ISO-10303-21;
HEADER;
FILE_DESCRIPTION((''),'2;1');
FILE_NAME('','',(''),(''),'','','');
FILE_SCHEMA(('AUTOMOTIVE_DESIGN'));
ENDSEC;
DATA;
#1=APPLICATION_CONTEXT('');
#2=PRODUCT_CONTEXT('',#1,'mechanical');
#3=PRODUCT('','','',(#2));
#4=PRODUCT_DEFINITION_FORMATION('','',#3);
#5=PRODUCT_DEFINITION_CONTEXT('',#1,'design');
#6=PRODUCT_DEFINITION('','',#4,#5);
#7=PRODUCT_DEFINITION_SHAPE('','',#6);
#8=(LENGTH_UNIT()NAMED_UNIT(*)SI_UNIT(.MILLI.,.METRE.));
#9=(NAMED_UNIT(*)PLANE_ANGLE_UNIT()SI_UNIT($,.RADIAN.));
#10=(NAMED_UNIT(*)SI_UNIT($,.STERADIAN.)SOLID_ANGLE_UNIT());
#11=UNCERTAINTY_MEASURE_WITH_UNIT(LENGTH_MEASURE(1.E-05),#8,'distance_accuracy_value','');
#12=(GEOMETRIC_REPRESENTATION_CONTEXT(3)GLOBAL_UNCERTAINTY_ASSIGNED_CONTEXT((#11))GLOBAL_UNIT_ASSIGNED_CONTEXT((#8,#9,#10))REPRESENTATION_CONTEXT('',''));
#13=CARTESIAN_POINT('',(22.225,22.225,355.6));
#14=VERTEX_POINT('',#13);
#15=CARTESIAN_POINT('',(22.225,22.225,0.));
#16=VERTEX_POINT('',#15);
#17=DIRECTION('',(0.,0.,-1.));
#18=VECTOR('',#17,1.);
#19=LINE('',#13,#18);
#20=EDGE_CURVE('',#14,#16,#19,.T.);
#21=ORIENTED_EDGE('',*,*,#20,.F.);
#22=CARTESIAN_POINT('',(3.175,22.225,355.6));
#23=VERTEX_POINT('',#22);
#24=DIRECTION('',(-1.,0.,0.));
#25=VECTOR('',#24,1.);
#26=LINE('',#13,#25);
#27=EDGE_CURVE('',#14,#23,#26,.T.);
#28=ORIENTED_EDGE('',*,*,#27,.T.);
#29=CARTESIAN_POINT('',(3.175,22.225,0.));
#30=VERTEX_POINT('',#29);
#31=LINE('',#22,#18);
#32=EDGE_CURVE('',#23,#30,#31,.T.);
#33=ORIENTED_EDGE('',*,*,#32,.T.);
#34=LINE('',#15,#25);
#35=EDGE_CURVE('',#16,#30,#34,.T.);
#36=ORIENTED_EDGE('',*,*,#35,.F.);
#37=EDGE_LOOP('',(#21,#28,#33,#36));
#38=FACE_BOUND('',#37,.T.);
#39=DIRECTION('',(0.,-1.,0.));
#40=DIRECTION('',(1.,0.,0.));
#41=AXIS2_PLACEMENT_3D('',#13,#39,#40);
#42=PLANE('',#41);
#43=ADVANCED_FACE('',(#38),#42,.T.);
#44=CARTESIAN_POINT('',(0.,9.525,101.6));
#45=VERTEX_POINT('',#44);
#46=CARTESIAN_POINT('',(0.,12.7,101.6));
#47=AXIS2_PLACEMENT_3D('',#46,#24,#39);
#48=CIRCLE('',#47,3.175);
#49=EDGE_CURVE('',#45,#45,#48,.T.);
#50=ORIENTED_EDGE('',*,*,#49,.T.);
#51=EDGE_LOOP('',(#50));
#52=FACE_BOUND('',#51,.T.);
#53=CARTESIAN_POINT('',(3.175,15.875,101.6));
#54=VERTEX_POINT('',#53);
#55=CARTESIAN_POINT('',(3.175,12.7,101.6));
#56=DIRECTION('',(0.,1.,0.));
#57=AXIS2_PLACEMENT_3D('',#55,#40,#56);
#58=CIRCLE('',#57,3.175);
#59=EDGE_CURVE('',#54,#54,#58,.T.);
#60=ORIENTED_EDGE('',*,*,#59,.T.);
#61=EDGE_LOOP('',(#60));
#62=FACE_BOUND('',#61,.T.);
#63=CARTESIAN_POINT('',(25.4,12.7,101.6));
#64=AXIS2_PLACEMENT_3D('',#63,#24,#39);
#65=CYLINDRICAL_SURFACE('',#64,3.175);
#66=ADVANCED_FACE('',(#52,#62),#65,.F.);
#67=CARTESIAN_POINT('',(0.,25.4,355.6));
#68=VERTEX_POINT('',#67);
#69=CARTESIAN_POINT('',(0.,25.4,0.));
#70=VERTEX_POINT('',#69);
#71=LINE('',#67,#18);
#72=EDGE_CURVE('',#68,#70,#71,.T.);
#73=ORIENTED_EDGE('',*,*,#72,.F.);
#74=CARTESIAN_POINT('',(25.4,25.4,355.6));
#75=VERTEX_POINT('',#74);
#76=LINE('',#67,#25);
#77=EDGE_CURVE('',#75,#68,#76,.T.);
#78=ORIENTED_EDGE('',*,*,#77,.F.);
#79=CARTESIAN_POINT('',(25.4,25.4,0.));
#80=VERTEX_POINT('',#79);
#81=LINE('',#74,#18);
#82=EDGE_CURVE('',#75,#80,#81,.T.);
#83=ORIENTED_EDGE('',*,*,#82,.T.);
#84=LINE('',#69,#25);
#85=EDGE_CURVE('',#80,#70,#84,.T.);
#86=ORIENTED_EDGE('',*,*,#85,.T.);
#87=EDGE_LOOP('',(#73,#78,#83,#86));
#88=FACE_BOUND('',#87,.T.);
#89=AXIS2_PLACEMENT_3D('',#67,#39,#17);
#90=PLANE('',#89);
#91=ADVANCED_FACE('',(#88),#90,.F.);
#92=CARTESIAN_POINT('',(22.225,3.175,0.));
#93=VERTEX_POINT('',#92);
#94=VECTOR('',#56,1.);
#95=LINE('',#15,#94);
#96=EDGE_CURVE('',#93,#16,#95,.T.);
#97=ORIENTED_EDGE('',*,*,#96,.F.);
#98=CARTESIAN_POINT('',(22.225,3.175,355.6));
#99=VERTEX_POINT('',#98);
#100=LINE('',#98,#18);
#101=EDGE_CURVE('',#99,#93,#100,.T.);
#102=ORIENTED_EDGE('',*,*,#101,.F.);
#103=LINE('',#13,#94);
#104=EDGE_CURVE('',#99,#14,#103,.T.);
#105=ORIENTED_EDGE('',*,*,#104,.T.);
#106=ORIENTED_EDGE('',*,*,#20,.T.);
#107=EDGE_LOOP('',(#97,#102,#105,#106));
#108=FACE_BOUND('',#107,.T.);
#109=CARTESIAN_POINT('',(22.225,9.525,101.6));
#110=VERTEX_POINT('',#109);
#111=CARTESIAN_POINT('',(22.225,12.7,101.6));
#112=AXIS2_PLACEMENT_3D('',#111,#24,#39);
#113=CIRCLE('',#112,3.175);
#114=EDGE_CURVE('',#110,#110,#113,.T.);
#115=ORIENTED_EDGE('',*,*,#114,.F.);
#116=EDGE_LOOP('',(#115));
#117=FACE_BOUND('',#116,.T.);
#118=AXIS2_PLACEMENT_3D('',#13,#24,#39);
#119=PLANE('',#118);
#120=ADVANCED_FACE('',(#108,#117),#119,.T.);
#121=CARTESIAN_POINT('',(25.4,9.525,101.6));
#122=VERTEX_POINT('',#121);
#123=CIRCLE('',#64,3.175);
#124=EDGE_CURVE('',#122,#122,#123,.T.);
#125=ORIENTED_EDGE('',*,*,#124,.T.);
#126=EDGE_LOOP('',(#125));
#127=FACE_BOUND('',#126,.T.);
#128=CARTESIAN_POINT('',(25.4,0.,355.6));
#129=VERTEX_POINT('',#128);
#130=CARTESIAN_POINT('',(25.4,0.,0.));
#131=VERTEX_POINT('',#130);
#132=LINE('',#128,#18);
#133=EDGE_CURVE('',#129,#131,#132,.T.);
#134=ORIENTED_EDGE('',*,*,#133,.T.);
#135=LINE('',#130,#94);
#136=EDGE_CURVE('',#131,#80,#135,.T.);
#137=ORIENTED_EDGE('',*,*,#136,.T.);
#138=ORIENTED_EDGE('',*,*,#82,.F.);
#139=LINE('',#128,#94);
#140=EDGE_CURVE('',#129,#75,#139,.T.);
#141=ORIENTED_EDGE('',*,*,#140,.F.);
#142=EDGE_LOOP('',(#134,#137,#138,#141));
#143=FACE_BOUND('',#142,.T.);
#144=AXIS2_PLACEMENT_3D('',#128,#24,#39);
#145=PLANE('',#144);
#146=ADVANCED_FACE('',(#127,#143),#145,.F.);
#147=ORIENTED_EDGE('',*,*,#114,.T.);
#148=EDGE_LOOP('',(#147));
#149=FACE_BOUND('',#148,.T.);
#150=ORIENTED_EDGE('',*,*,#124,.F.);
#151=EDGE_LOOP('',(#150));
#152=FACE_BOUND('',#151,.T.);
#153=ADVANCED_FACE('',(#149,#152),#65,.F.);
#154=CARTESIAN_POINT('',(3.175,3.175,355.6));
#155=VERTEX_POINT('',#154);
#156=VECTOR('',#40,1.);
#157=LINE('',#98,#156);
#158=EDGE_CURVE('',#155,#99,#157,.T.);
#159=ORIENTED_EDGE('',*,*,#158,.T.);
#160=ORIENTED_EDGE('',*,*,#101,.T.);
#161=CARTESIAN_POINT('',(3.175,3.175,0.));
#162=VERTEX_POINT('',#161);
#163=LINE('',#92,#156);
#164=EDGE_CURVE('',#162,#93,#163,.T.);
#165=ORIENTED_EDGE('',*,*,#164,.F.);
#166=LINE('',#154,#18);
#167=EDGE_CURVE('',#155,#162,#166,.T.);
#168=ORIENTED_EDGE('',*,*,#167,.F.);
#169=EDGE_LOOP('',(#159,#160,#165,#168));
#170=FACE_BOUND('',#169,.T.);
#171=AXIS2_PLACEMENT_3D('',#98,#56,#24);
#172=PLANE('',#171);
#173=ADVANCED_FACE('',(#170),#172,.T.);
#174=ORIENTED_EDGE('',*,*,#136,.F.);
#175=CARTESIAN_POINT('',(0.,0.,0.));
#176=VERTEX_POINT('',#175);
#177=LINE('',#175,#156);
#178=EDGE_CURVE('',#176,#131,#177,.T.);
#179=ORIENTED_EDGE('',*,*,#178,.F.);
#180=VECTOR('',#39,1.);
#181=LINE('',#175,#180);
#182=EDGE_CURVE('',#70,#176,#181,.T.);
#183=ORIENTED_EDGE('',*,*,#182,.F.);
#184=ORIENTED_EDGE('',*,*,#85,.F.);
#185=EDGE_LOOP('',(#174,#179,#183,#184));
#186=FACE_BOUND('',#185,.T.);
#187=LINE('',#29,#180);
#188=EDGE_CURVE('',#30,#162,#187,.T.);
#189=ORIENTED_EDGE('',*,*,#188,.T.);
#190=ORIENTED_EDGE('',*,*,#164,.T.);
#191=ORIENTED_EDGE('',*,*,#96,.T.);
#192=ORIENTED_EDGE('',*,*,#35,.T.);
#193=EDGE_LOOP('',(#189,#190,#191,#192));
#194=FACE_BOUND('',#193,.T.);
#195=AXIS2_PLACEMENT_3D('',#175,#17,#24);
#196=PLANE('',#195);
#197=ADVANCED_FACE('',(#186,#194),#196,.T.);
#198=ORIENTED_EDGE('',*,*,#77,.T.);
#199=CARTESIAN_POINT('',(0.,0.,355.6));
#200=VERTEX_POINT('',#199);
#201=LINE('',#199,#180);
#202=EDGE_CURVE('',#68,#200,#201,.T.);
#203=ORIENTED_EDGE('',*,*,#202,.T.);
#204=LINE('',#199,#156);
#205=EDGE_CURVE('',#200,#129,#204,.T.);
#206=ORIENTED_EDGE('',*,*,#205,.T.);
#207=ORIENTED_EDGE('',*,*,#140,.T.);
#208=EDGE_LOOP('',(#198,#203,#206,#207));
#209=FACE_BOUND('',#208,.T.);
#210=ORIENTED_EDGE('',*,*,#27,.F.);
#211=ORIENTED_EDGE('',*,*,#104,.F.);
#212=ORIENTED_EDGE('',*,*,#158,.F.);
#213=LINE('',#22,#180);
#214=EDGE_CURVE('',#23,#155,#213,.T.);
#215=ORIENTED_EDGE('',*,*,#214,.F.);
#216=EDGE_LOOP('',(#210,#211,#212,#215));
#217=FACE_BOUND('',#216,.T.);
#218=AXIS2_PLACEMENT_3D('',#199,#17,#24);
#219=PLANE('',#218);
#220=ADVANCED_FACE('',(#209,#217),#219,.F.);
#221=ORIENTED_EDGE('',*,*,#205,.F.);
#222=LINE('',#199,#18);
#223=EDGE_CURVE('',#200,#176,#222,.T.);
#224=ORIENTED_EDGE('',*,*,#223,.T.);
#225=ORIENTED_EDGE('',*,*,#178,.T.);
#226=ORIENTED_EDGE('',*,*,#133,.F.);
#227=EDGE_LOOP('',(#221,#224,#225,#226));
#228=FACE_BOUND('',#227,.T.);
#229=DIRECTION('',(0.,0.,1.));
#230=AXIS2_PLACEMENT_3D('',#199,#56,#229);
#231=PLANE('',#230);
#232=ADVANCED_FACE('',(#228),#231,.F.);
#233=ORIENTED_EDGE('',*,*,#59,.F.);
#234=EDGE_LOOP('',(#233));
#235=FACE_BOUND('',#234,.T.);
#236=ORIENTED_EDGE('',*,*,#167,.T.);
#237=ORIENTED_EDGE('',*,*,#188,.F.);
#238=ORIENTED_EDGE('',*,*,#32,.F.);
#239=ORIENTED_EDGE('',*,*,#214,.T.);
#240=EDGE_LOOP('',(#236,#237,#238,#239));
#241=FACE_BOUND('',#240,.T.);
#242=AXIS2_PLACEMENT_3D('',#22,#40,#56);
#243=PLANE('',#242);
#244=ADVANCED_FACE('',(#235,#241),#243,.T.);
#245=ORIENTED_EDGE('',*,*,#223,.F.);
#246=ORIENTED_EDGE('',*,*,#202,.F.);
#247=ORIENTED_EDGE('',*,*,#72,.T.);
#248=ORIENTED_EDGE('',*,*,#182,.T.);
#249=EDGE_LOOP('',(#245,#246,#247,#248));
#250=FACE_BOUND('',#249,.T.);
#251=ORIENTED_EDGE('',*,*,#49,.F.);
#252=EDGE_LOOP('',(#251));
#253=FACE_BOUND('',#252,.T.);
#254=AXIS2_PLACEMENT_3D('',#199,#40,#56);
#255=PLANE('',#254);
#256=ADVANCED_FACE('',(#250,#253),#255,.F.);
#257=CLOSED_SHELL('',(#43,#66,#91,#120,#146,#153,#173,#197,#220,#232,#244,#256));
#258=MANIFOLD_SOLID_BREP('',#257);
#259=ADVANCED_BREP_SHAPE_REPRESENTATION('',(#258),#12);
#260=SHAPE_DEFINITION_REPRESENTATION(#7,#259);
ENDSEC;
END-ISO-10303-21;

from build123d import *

# Parameters (mm, degrees)
SKETCH1_W           = 25.4
SKETCH1_H           = 25.4
SKETCH1_W_2         = 19.05
SKETCH1_H_2         = 19.05
BOSS_EXTRUDE1_DEPTH = 355.6
SKETCH2_R           = 3.175
CUT_EXTRUDE1_DEPTH  = 358.409680899


with BuildPart() as part:
    # Sketch1 → Boss-Extrude1 (new body)
    with BuildSketch(Plane.XY):
        with Locations((12.7, 12.7)):
            Rectangle(SKETCH1_W, SKETCH1_H)
        with Locations((12.7, 12.7)):
            Rectangle(SKETCH1_W_2, SKETCH1_H_2, mode=Mode.SUBTRACT)
    extrude(amount=BOSS_EXTRUDE1_DEPTH)

    # Sketch2 → Cut-Extrude1 (cut, through all)
    with BuildSketch(Plane.ZY):
        with Locations(Location((101.6, 12.7, 0), (0, 0, 270))):
            Circle(SKETCH2_R)
    extrude(amount=-CUT_EXTRUDE1_DEPTH, mode=Mode.SUBTRACT)


solid = part.part
